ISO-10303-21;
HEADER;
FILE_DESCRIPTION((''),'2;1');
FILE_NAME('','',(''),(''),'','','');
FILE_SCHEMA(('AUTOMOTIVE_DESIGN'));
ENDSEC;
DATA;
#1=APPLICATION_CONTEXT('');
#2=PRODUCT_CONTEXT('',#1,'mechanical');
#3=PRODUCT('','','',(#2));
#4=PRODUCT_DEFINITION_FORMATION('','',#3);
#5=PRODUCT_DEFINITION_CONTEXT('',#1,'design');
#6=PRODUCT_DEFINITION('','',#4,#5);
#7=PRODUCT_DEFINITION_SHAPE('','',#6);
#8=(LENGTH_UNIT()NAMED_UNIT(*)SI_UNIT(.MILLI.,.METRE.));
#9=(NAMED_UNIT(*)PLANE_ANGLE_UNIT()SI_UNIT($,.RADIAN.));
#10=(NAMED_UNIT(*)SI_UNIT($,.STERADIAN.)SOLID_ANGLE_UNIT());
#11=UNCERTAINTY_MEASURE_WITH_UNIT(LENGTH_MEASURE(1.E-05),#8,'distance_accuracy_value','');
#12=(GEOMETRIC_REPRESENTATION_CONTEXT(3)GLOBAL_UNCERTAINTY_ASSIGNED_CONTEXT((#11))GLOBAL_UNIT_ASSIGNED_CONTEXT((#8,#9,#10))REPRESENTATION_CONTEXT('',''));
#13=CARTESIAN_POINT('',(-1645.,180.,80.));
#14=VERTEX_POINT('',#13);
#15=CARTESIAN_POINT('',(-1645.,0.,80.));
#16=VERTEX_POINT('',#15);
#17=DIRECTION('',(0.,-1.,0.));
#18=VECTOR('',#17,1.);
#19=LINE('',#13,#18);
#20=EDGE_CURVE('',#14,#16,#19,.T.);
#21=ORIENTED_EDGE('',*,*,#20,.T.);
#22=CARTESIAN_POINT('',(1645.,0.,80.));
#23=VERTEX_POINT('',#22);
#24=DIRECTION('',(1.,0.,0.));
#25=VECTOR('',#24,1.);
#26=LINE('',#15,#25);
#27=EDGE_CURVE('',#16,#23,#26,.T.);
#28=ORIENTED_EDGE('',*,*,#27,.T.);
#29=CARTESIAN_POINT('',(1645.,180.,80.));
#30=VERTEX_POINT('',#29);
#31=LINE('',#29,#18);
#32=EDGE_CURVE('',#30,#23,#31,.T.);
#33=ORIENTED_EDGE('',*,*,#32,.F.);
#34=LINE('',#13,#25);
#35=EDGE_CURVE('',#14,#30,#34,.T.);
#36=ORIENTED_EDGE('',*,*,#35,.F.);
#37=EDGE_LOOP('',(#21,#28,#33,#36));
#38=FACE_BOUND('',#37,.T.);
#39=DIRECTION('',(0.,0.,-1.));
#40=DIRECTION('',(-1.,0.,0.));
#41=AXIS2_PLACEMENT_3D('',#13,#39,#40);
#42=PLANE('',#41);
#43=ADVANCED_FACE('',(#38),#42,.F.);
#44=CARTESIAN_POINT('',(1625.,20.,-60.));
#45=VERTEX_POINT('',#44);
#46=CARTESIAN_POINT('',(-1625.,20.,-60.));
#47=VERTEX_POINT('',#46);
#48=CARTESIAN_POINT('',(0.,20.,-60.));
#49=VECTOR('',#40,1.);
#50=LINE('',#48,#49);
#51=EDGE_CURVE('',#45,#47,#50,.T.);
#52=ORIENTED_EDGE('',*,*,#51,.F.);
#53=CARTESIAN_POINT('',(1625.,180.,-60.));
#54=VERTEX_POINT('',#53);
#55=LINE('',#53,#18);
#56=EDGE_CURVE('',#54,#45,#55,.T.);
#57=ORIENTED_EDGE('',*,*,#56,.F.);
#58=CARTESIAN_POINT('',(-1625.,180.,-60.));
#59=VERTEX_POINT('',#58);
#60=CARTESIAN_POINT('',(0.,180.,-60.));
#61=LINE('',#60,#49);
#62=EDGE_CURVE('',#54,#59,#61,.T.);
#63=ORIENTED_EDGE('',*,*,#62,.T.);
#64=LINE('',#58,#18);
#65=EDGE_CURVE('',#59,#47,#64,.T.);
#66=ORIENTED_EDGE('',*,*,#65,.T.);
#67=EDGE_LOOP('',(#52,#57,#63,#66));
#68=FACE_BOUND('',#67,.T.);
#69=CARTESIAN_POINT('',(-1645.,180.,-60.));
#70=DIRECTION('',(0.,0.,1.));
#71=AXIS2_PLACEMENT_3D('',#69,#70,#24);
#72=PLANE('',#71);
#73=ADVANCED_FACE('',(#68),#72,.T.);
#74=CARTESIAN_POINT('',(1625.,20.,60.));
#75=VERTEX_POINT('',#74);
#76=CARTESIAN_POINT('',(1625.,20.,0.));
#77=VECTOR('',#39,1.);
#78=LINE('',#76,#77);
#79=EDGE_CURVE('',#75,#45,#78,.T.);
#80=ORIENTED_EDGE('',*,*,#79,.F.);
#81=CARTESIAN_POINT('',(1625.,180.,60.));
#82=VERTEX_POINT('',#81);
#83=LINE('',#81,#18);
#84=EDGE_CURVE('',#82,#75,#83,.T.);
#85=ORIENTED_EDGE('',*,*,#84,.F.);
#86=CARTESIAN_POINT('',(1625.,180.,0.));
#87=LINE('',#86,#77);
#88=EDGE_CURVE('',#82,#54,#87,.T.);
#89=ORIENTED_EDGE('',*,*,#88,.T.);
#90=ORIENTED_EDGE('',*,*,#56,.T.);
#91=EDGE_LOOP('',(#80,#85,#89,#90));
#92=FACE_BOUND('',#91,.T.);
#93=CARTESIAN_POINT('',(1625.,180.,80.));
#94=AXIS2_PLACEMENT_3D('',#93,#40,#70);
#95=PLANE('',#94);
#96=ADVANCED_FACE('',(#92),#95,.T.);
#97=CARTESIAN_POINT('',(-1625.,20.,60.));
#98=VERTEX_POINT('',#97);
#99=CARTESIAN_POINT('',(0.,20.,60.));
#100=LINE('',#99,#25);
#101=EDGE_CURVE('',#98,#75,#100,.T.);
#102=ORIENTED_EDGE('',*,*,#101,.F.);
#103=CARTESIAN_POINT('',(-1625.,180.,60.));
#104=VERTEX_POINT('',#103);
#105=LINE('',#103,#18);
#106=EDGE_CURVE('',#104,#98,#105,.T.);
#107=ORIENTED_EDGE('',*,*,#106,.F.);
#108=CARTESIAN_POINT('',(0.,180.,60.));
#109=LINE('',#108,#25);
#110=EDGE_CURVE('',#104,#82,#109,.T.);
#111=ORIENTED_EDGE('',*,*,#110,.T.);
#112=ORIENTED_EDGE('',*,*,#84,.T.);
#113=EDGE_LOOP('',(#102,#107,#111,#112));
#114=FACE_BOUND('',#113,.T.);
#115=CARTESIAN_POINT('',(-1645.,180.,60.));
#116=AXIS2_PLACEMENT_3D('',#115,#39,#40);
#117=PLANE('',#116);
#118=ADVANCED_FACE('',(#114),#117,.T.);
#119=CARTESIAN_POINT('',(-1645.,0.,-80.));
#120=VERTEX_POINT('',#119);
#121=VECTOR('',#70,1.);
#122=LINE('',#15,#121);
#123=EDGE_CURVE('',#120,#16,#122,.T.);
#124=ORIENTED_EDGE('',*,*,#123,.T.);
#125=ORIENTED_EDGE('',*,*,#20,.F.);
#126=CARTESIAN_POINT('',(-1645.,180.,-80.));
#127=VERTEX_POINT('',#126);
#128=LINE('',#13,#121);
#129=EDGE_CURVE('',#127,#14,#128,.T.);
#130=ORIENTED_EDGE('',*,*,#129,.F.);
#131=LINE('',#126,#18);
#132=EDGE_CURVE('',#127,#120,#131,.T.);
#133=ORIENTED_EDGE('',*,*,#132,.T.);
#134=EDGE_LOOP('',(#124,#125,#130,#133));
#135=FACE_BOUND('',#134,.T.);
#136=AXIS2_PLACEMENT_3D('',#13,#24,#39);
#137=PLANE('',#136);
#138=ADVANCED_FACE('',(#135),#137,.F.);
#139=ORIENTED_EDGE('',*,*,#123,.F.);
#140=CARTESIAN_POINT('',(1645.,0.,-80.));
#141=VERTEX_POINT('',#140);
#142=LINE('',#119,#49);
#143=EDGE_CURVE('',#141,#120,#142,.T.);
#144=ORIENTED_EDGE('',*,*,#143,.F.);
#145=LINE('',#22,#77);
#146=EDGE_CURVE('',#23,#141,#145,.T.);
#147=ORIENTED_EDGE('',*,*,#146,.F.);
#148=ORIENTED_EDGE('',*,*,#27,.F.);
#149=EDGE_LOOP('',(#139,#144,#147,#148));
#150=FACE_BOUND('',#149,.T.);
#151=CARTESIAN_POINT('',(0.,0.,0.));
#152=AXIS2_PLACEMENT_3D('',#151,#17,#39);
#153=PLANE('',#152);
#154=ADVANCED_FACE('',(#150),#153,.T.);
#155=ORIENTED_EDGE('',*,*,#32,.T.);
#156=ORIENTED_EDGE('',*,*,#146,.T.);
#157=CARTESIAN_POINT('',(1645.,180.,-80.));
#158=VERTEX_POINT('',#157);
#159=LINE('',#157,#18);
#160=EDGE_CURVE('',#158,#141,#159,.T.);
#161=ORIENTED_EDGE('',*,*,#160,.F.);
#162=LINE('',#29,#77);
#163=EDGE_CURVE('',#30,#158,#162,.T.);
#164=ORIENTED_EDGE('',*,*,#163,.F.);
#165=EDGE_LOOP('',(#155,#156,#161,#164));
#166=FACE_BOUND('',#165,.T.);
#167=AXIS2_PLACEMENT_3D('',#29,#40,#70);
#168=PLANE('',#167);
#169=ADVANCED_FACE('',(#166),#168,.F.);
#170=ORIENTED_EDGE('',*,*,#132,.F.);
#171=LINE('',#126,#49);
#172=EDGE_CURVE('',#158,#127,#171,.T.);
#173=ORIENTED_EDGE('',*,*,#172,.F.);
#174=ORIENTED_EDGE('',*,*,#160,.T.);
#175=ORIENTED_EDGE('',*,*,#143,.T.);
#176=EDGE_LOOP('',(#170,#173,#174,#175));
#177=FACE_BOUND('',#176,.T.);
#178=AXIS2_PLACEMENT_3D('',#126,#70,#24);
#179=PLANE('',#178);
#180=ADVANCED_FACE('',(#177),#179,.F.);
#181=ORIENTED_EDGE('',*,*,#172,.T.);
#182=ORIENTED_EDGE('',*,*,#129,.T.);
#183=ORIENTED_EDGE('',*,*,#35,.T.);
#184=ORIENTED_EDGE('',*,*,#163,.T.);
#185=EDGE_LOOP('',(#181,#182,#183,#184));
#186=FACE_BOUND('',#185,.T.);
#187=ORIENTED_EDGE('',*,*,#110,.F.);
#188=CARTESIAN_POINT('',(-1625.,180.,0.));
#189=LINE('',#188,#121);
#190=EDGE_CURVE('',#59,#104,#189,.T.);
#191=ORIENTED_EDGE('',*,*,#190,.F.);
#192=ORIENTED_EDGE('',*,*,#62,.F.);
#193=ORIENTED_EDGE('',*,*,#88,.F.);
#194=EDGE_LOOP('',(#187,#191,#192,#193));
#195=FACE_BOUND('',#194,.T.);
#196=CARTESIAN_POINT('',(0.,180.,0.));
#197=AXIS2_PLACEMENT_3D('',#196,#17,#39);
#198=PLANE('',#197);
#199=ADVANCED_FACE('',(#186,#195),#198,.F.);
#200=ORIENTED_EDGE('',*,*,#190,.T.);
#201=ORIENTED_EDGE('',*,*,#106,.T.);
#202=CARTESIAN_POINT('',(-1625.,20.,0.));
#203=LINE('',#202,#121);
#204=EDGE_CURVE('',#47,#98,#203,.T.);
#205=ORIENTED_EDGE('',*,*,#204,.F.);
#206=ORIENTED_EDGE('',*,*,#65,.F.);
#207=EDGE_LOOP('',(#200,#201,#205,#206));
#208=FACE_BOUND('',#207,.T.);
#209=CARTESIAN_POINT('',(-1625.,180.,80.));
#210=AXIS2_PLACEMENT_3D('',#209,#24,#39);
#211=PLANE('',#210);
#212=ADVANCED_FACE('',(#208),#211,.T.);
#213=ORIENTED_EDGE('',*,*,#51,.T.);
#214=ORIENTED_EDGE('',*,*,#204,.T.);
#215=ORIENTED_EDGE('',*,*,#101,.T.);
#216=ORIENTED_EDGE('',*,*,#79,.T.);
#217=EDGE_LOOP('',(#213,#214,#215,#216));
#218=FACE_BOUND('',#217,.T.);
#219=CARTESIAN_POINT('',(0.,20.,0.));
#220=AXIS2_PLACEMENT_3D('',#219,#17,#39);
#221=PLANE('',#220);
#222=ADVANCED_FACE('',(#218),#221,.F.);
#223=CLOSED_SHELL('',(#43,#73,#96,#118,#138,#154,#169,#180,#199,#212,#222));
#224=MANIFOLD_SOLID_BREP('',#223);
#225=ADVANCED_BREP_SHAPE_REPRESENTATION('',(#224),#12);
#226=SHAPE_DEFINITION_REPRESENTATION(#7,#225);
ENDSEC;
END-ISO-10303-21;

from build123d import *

# Parameters (mm, degrees)
SKETCH_1_W      = 3290
SKETCH_1_H      = 160
EXTRUDE_1_DEPTH = 180
SHELL_1_T       = -20


with BuildPart() as part:
    # Эскиз1 → Бобышка-Вытянуть1 (new body)
    with BuildSketch(Plane(origin=(0, 0, 0), x_dir=(1, 0, 0), z_dir=(0, 1, 0))):
        Rectangle(SKETCH_1_W, SKETCH_1_H)
    extrude(amount=EXTRUDE_1_DEPTH)

    # Оболочка1
    shell_1_openings = [part.faces().sort_by_distance(p)[0] for p in [
        (0, 180, 0),
    ]]
    offset(amount=SHELL_1_T, openings=shell_1_openings, kind=Kind.INTERSECTION)


solid = part.part
